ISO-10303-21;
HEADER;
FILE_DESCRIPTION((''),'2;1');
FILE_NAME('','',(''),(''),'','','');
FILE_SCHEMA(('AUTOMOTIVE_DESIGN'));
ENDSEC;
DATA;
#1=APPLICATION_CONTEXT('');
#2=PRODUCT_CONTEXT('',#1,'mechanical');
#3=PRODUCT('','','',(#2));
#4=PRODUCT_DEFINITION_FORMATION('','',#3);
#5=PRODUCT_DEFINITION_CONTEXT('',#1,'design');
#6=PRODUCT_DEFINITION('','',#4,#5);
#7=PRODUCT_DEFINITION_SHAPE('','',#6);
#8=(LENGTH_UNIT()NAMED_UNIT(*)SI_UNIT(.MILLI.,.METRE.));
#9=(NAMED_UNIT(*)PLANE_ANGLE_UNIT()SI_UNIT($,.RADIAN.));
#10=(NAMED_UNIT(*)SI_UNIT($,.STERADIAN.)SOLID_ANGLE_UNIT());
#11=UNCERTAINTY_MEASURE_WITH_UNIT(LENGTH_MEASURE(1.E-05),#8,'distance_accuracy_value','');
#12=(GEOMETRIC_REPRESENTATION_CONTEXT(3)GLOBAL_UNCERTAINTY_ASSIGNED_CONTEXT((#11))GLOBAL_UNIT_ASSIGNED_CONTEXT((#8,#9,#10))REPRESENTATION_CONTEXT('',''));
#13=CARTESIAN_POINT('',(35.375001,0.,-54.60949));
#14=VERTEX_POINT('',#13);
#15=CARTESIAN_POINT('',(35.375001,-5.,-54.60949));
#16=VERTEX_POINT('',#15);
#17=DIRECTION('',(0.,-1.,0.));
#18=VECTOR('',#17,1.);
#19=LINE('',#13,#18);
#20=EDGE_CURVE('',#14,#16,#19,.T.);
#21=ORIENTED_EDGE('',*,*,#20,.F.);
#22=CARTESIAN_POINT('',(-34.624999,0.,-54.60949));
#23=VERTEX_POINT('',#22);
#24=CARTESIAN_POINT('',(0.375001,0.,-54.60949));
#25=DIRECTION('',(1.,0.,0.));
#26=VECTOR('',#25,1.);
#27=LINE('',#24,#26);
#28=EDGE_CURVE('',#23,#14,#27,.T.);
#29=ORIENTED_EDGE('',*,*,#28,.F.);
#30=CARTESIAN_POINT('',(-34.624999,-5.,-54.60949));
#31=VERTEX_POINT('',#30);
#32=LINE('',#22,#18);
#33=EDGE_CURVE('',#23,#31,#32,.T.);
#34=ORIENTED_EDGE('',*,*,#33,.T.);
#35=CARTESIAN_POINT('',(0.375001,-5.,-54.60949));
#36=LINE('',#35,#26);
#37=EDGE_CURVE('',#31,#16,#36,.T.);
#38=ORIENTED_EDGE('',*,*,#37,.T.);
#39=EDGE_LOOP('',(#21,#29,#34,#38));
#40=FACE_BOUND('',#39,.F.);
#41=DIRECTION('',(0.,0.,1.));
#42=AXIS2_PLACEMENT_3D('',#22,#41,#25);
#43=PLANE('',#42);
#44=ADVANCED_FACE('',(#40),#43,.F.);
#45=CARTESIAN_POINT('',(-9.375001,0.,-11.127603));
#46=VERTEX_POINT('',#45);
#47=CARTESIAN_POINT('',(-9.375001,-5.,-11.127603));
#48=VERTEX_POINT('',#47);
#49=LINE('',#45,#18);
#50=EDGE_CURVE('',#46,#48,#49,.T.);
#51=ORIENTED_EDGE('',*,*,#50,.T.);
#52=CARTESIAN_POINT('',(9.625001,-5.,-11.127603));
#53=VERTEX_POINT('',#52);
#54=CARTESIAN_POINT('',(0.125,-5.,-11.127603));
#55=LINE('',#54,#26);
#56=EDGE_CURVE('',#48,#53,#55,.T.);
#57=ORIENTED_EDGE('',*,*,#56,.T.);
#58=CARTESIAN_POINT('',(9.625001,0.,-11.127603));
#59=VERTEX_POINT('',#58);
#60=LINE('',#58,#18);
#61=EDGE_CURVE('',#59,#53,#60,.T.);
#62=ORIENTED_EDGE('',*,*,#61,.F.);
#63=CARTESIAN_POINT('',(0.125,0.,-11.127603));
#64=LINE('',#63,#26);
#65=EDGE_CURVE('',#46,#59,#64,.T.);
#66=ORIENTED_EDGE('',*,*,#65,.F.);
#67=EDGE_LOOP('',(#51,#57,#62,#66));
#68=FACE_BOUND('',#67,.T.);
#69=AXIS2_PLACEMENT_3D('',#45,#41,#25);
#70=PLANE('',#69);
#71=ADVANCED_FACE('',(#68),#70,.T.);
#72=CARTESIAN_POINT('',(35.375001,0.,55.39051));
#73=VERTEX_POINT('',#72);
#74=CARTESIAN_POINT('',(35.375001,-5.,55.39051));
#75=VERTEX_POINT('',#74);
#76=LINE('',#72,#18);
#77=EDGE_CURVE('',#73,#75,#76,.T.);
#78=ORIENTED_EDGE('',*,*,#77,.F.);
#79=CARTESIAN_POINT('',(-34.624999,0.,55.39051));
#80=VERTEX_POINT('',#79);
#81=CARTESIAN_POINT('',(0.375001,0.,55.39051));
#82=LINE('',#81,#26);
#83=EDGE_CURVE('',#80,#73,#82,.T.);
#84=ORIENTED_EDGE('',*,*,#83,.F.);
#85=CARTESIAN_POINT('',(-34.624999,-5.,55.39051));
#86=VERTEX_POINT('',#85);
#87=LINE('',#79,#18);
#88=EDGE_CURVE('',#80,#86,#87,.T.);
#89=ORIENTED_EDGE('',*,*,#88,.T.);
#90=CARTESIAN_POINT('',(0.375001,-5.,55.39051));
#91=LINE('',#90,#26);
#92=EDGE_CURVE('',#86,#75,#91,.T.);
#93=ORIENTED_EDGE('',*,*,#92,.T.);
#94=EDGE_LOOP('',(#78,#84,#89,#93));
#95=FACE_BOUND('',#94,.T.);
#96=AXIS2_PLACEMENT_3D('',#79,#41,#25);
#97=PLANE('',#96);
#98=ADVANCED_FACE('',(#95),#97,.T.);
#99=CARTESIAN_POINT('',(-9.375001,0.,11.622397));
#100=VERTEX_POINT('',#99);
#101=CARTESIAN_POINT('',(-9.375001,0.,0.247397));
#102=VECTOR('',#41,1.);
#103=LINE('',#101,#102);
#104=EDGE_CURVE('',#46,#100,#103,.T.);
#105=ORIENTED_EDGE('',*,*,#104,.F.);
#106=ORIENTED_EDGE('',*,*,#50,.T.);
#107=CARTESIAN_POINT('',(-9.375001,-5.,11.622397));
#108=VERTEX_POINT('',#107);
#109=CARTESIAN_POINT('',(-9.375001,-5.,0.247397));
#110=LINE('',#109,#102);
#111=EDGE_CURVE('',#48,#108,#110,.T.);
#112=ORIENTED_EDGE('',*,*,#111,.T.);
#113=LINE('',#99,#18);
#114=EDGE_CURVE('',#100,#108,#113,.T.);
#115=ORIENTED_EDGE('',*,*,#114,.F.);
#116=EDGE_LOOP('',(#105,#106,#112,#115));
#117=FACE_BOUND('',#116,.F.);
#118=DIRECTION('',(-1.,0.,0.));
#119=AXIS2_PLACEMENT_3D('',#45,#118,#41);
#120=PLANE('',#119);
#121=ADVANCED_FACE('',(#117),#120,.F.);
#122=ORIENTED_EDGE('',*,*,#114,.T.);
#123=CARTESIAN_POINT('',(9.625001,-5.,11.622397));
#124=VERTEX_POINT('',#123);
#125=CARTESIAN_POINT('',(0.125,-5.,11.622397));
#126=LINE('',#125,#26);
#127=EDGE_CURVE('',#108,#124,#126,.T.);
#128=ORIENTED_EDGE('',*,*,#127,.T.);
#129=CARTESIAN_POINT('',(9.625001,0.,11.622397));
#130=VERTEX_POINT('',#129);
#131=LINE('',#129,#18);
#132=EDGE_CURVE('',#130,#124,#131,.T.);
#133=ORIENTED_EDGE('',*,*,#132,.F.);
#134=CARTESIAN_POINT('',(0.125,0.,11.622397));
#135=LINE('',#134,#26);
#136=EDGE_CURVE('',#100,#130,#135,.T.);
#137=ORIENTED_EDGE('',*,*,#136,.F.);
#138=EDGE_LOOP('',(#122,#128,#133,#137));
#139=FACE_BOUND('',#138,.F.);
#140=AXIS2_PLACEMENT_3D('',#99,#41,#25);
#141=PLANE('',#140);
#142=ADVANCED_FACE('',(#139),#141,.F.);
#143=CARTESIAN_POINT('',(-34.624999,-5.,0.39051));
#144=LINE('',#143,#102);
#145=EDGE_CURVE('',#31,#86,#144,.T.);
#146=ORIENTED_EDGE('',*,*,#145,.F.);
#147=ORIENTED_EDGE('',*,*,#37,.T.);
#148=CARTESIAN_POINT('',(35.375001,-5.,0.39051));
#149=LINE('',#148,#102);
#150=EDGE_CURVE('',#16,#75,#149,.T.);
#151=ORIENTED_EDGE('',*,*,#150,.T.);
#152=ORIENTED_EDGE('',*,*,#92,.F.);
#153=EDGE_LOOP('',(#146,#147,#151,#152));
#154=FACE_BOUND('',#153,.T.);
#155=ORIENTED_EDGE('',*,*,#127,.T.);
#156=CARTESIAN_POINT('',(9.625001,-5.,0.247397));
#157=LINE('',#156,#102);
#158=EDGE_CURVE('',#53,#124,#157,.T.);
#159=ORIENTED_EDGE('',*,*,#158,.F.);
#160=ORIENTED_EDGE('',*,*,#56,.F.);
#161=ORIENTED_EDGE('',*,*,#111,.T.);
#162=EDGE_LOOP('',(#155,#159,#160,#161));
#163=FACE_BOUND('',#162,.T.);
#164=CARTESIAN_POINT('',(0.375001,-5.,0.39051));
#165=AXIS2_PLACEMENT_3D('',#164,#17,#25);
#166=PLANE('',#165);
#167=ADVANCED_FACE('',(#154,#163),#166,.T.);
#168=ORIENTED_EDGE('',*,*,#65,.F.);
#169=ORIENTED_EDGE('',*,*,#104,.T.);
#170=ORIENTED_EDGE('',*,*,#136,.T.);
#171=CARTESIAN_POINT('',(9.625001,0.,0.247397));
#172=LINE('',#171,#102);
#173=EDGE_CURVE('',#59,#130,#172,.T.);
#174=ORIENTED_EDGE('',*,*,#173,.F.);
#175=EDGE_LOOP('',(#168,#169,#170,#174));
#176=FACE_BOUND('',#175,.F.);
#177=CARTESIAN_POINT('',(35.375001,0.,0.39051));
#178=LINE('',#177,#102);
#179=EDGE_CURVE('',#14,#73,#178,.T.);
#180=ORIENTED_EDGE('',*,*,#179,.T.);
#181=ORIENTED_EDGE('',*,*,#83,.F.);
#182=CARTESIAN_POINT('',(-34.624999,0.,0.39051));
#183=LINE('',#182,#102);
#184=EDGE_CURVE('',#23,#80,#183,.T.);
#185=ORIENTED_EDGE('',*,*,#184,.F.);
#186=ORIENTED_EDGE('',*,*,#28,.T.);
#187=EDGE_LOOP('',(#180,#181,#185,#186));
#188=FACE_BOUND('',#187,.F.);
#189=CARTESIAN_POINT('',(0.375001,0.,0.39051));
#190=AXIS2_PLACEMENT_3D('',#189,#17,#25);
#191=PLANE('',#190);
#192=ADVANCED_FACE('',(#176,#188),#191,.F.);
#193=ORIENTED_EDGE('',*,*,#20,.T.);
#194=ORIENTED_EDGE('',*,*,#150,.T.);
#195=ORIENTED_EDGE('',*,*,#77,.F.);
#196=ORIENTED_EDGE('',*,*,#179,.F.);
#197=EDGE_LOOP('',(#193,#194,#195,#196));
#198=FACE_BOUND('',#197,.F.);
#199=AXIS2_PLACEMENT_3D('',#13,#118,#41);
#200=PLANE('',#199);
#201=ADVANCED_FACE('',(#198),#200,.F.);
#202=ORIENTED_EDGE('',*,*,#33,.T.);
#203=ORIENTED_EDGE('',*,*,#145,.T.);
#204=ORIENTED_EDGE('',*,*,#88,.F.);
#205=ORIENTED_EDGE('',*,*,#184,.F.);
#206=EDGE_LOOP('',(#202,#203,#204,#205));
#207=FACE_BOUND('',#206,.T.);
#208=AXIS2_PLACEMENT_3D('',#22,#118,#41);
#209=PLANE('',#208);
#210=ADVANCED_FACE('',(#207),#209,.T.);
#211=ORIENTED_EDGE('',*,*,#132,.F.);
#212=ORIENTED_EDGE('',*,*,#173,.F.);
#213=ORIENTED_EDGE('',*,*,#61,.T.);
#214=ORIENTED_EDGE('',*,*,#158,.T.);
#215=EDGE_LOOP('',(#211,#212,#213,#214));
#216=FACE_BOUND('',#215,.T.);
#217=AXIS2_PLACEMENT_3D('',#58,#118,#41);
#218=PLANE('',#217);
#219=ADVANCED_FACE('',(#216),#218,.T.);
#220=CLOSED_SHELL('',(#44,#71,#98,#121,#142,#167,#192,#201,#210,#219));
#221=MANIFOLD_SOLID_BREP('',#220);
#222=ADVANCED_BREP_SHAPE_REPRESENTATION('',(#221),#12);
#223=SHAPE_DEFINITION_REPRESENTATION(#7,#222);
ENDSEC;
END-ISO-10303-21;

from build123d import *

# Parameters (mm, degrees)
F0_W     = 70
F0_H     = 110
F0_W_2   = 19.000001
F0_H_2   = 22.75
F1_DEPTH = 5
F2_DEPTH = 5


with BuildPart() as f1:
    # F0 (on Front) → F1 (new body)
    with BuildSketch(Plane.XZ):
        with Locations((0.375001, 0.39051)):
            Rectangle(F0_W, F0_H)
        with Locations((0.125, 0.247397)):
            Rectangle(F0_W_2, F0_H_2, mode=Mode.SUBTRACT)
    extrude(amount=F1_DEPTH)

    # F0 (on Front) → F2 (join)
    with BuildSketch(Plane.XZ):
        with Locations((0.375001, 0.39051)):
            Rectangle(F0_W, F0_H)
        with Locations((0.125, 0.247397)):
            Rectangle(F0_W_2, F0_H_2, mode=Mode.SUBTRACT)
    extrude(amount=F2_DEPTH)


solid = f1.part
